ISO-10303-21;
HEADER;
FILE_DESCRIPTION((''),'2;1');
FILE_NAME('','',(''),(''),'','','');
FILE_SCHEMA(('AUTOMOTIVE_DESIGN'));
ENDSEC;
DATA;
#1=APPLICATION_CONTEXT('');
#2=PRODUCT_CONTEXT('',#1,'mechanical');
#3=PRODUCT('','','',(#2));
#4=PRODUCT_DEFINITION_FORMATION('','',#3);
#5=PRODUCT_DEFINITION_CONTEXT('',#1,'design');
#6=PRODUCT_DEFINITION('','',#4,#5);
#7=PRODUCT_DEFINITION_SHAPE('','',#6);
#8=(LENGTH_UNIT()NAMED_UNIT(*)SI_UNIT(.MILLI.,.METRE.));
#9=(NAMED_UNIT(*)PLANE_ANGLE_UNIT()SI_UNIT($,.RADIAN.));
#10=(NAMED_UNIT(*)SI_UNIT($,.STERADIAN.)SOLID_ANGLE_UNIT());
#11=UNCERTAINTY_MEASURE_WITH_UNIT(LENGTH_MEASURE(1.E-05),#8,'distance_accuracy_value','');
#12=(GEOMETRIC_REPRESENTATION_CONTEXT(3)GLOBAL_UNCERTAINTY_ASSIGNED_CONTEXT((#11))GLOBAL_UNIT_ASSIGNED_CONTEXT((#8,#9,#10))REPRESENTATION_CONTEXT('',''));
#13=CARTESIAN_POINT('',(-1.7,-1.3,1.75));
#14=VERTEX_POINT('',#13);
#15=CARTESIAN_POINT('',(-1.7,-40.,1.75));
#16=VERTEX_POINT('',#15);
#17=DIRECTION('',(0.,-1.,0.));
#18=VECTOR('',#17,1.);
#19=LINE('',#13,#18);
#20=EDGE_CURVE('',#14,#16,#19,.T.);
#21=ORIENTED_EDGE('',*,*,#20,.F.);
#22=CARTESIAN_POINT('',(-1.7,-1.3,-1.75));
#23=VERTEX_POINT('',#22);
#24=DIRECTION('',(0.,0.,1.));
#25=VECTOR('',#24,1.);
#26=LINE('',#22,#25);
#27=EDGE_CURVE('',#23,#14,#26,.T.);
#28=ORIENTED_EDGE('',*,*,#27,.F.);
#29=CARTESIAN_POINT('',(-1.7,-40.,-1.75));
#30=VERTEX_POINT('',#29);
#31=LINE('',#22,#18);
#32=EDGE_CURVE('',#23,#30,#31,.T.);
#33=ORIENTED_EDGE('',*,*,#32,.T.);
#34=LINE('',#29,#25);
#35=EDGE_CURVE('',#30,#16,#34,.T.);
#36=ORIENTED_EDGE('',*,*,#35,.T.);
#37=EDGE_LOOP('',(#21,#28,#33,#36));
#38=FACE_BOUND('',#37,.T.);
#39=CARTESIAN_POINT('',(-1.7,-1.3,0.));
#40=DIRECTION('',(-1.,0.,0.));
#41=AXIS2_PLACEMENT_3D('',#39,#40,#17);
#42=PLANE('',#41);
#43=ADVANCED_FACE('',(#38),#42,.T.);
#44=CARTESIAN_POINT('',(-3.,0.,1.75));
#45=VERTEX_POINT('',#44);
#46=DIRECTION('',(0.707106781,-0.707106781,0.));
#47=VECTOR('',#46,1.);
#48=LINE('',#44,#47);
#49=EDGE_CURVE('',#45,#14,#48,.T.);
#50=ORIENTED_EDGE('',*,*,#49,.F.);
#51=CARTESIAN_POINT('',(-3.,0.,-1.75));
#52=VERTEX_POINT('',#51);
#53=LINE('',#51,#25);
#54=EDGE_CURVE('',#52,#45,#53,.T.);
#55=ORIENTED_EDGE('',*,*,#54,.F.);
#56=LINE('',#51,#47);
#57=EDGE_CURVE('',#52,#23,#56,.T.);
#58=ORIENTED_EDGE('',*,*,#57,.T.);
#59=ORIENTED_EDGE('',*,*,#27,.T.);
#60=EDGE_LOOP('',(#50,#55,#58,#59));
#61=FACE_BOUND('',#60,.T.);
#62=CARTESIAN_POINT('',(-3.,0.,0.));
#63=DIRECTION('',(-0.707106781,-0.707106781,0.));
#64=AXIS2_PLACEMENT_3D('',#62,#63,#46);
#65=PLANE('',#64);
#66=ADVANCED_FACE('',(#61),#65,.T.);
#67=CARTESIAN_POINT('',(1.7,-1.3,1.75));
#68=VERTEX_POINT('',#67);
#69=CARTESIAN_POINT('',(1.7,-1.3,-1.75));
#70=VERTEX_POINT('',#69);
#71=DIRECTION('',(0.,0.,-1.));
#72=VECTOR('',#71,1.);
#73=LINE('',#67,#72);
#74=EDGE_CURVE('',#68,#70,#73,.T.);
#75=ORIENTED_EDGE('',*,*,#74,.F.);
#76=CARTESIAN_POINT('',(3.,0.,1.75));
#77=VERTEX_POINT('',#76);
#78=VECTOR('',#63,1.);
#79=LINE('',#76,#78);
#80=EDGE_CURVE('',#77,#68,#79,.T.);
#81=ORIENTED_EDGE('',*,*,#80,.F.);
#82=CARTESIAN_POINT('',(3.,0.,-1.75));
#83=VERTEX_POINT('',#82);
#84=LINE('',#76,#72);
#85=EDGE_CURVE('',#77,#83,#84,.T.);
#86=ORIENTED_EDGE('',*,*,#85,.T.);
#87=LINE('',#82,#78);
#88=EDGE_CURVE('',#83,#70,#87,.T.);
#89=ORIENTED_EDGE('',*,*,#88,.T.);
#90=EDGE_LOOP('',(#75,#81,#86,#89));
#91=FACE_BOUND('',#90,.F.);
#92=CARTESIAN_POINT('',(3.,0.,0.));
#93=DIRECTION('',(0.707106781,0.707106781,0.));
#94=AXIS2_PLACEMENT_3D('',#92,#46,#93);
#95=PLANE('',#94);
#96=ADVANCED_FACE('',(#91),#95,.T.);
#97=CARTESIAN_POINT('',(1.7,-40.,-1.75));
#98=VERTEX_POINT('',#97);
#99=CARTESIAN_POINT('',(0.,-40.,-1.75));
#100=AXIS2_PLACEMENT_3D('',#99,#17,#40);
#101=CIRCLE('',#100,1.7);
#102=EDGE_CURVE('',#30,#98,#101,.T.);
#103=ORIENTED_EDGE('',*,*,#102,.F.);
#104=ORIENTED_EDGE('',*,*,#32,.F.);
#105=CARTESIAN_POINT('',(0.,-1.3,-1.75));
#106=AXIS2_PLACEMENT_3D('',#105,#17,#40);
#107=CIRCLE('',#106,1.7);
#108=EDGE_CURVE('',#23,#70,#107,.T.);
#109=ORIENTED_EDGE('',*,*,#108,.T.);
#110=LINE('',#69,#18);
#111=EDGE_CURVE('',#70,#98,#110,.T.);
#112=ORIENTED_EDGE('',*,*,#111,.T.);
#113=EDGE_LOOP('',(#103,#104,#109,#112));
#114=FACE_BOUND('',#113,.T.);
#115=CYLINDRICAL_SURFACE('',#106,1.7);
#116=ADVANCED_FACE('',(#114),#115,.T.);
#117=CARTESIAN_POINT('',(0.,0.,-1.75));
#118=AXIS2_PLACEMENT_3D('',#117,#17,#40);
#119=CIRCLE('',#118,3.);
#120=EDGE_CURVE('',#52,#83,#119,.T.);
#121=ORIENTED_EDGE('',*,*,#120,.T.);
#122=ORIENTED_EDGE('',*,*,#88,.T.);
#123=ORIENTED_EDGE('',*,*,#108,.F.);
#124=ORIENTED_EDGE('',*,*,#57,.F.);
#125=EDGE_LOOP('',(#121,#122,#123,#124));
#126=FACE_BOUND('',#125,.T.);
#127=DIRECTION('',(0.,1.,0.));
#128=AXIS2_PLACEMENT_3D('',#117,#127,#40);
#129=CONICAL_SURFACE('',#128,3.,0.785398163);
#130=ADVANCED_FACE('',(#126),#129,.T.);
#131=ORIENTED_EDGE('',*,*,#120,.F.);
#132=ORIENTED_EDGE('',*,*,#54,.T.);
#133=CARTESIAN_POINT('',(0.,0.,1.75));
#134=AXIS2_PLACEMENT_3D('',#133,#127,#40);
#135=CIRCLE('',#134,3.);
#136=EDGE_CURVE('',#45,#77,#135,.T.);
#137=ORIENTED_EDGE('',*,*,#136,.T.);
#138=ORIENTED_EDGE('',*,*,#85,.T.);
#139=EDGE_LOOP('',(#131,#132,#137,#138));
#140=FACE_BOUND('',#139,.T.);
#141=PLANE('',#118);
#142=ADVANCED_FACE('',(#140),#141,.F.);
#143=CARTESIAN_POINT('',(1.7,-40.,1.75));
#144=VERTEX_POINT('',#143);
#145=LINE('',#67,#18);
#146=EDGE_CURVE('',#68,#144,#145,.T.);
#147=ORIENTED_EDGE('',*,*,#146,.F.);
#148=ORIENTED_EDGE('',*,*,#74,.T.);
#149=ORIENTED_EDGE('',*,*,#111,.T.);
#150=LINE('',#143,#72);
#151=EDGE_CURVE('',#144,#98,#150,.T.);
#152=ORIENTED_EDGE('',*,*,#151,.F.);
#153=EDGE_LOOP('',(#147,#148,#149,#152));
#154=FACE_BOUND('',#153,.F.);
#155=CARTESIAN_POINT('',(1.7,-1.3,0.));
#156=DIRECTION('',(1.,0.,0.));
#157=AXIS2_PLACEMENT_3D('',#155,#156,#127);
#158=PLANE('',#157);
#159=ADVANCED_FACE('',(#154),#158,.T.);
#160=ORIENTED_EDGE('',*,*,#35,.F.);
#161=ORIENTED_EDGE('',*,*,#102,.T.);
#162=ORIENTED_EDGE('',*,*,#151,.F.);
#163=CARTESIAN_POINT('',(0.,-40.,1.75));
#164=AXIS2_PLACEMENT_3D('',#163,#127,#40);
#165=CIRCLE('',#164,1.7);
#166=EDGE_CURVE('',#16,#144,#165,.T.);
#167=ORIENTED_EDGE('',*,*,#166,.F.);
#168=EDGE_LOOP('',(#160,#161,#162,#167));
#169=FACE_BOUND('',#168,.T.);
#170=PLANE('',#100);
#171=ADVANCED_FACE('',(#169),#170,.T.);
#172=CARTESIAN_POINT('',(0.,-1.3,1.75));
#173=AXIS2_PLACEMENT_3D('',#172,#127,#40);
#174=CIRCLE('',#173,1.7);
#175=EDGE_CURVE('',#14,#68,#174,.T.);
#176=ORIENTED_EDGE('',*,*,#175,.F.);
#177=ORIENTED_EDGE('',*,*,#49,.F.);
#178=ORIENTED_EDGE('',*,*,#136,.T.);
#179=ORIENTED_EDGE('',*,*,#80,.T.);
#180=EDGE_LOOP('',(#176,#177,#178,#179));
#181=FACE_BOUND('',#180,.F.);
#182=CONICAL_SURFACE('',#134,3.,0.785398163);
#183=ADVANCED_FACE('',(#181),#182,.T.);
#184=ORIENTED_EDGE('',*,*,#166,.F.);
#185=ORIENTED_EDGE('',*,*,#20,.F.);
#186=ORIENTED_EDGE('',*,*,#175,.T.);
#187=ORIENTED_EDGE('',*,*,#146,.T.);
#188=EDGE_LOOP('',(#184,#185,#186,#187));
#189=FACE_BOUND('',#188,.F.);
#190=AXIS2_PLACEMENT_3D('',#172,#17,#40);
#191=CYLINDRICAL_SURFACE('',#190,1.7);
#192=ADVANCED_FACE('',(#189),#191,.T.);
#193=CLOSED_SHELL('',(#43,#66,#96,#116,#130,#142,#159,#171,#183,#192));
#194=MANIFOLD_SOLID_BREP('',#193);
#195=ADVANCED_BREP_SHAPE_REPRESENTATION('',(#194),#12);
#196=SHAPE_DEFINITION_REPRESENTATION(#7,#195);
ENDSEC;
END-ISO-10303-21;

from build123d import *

# Parameters (mm, degrees)
REVOLUTION001_ANGLE = -90
PAD008_DEPTH        = 1.75


with BuildPart() as m3din7991slot001:
    # Clone2D → Revolution001 (revolve)
    with BuildSketch(Plane.XY.offset(1.75)):
        Polygon((0, 0), (3, 0), (1.7, -1.3), (1.7, -40), (0, -40), align=None)
    revolve(axis=Axis((0, 0, 1.75), (0, 1, 0)), revolution_arc=REVOLUTION001_ANGLE)


with BuildPart() as slotquarter:
    # Sketch016 → Pad008 (new body)
    with BuildSketch(Plane.XY):
        Polygon((0, 0), (3, 0), (1.7, -1.3), (1.7, -40), (0, -40), align=None)
    extrude(amount=PAD008_DEPTH)

    # Fusion001: union M3DIN7991Slot001
    add(m3din7991slot001.part)


with BuildPart() as part_mirroring002:
    # Part__Mirroring002: instance of SlotQuarter
    add(slotquarter.part.mirror(Plane(origin=(0, 0, 0), x_dir=(0, -1, 0), z_dir=(1, 0, 0))))


with BuildPart() as fusion002:
    # Fusion002 base: copy of SlotQuarter
    add(slotquarter.part)

    # Fusion002: union Part__Mirroring002
    add(part_mirroring002.part)


with BuildPart() as part_mirroring003:
    # Part__Mirroring003: instance of Fusion002
    add(fusion002.part.mirror(Plane(origin=(0, 0, 0), x_dir=(0, 1, 0), z_dir=(0, 0, 1))))


with BuildPart() as refine_m3din7991boltslot:
    # Fusion003 base: copy of Fusion002
    add(fusion002.part)

    # Fusion003: union Part__Mirroring003
    add(part_mirroring003.part)


solid = refine_m3din7991boltslot.part
